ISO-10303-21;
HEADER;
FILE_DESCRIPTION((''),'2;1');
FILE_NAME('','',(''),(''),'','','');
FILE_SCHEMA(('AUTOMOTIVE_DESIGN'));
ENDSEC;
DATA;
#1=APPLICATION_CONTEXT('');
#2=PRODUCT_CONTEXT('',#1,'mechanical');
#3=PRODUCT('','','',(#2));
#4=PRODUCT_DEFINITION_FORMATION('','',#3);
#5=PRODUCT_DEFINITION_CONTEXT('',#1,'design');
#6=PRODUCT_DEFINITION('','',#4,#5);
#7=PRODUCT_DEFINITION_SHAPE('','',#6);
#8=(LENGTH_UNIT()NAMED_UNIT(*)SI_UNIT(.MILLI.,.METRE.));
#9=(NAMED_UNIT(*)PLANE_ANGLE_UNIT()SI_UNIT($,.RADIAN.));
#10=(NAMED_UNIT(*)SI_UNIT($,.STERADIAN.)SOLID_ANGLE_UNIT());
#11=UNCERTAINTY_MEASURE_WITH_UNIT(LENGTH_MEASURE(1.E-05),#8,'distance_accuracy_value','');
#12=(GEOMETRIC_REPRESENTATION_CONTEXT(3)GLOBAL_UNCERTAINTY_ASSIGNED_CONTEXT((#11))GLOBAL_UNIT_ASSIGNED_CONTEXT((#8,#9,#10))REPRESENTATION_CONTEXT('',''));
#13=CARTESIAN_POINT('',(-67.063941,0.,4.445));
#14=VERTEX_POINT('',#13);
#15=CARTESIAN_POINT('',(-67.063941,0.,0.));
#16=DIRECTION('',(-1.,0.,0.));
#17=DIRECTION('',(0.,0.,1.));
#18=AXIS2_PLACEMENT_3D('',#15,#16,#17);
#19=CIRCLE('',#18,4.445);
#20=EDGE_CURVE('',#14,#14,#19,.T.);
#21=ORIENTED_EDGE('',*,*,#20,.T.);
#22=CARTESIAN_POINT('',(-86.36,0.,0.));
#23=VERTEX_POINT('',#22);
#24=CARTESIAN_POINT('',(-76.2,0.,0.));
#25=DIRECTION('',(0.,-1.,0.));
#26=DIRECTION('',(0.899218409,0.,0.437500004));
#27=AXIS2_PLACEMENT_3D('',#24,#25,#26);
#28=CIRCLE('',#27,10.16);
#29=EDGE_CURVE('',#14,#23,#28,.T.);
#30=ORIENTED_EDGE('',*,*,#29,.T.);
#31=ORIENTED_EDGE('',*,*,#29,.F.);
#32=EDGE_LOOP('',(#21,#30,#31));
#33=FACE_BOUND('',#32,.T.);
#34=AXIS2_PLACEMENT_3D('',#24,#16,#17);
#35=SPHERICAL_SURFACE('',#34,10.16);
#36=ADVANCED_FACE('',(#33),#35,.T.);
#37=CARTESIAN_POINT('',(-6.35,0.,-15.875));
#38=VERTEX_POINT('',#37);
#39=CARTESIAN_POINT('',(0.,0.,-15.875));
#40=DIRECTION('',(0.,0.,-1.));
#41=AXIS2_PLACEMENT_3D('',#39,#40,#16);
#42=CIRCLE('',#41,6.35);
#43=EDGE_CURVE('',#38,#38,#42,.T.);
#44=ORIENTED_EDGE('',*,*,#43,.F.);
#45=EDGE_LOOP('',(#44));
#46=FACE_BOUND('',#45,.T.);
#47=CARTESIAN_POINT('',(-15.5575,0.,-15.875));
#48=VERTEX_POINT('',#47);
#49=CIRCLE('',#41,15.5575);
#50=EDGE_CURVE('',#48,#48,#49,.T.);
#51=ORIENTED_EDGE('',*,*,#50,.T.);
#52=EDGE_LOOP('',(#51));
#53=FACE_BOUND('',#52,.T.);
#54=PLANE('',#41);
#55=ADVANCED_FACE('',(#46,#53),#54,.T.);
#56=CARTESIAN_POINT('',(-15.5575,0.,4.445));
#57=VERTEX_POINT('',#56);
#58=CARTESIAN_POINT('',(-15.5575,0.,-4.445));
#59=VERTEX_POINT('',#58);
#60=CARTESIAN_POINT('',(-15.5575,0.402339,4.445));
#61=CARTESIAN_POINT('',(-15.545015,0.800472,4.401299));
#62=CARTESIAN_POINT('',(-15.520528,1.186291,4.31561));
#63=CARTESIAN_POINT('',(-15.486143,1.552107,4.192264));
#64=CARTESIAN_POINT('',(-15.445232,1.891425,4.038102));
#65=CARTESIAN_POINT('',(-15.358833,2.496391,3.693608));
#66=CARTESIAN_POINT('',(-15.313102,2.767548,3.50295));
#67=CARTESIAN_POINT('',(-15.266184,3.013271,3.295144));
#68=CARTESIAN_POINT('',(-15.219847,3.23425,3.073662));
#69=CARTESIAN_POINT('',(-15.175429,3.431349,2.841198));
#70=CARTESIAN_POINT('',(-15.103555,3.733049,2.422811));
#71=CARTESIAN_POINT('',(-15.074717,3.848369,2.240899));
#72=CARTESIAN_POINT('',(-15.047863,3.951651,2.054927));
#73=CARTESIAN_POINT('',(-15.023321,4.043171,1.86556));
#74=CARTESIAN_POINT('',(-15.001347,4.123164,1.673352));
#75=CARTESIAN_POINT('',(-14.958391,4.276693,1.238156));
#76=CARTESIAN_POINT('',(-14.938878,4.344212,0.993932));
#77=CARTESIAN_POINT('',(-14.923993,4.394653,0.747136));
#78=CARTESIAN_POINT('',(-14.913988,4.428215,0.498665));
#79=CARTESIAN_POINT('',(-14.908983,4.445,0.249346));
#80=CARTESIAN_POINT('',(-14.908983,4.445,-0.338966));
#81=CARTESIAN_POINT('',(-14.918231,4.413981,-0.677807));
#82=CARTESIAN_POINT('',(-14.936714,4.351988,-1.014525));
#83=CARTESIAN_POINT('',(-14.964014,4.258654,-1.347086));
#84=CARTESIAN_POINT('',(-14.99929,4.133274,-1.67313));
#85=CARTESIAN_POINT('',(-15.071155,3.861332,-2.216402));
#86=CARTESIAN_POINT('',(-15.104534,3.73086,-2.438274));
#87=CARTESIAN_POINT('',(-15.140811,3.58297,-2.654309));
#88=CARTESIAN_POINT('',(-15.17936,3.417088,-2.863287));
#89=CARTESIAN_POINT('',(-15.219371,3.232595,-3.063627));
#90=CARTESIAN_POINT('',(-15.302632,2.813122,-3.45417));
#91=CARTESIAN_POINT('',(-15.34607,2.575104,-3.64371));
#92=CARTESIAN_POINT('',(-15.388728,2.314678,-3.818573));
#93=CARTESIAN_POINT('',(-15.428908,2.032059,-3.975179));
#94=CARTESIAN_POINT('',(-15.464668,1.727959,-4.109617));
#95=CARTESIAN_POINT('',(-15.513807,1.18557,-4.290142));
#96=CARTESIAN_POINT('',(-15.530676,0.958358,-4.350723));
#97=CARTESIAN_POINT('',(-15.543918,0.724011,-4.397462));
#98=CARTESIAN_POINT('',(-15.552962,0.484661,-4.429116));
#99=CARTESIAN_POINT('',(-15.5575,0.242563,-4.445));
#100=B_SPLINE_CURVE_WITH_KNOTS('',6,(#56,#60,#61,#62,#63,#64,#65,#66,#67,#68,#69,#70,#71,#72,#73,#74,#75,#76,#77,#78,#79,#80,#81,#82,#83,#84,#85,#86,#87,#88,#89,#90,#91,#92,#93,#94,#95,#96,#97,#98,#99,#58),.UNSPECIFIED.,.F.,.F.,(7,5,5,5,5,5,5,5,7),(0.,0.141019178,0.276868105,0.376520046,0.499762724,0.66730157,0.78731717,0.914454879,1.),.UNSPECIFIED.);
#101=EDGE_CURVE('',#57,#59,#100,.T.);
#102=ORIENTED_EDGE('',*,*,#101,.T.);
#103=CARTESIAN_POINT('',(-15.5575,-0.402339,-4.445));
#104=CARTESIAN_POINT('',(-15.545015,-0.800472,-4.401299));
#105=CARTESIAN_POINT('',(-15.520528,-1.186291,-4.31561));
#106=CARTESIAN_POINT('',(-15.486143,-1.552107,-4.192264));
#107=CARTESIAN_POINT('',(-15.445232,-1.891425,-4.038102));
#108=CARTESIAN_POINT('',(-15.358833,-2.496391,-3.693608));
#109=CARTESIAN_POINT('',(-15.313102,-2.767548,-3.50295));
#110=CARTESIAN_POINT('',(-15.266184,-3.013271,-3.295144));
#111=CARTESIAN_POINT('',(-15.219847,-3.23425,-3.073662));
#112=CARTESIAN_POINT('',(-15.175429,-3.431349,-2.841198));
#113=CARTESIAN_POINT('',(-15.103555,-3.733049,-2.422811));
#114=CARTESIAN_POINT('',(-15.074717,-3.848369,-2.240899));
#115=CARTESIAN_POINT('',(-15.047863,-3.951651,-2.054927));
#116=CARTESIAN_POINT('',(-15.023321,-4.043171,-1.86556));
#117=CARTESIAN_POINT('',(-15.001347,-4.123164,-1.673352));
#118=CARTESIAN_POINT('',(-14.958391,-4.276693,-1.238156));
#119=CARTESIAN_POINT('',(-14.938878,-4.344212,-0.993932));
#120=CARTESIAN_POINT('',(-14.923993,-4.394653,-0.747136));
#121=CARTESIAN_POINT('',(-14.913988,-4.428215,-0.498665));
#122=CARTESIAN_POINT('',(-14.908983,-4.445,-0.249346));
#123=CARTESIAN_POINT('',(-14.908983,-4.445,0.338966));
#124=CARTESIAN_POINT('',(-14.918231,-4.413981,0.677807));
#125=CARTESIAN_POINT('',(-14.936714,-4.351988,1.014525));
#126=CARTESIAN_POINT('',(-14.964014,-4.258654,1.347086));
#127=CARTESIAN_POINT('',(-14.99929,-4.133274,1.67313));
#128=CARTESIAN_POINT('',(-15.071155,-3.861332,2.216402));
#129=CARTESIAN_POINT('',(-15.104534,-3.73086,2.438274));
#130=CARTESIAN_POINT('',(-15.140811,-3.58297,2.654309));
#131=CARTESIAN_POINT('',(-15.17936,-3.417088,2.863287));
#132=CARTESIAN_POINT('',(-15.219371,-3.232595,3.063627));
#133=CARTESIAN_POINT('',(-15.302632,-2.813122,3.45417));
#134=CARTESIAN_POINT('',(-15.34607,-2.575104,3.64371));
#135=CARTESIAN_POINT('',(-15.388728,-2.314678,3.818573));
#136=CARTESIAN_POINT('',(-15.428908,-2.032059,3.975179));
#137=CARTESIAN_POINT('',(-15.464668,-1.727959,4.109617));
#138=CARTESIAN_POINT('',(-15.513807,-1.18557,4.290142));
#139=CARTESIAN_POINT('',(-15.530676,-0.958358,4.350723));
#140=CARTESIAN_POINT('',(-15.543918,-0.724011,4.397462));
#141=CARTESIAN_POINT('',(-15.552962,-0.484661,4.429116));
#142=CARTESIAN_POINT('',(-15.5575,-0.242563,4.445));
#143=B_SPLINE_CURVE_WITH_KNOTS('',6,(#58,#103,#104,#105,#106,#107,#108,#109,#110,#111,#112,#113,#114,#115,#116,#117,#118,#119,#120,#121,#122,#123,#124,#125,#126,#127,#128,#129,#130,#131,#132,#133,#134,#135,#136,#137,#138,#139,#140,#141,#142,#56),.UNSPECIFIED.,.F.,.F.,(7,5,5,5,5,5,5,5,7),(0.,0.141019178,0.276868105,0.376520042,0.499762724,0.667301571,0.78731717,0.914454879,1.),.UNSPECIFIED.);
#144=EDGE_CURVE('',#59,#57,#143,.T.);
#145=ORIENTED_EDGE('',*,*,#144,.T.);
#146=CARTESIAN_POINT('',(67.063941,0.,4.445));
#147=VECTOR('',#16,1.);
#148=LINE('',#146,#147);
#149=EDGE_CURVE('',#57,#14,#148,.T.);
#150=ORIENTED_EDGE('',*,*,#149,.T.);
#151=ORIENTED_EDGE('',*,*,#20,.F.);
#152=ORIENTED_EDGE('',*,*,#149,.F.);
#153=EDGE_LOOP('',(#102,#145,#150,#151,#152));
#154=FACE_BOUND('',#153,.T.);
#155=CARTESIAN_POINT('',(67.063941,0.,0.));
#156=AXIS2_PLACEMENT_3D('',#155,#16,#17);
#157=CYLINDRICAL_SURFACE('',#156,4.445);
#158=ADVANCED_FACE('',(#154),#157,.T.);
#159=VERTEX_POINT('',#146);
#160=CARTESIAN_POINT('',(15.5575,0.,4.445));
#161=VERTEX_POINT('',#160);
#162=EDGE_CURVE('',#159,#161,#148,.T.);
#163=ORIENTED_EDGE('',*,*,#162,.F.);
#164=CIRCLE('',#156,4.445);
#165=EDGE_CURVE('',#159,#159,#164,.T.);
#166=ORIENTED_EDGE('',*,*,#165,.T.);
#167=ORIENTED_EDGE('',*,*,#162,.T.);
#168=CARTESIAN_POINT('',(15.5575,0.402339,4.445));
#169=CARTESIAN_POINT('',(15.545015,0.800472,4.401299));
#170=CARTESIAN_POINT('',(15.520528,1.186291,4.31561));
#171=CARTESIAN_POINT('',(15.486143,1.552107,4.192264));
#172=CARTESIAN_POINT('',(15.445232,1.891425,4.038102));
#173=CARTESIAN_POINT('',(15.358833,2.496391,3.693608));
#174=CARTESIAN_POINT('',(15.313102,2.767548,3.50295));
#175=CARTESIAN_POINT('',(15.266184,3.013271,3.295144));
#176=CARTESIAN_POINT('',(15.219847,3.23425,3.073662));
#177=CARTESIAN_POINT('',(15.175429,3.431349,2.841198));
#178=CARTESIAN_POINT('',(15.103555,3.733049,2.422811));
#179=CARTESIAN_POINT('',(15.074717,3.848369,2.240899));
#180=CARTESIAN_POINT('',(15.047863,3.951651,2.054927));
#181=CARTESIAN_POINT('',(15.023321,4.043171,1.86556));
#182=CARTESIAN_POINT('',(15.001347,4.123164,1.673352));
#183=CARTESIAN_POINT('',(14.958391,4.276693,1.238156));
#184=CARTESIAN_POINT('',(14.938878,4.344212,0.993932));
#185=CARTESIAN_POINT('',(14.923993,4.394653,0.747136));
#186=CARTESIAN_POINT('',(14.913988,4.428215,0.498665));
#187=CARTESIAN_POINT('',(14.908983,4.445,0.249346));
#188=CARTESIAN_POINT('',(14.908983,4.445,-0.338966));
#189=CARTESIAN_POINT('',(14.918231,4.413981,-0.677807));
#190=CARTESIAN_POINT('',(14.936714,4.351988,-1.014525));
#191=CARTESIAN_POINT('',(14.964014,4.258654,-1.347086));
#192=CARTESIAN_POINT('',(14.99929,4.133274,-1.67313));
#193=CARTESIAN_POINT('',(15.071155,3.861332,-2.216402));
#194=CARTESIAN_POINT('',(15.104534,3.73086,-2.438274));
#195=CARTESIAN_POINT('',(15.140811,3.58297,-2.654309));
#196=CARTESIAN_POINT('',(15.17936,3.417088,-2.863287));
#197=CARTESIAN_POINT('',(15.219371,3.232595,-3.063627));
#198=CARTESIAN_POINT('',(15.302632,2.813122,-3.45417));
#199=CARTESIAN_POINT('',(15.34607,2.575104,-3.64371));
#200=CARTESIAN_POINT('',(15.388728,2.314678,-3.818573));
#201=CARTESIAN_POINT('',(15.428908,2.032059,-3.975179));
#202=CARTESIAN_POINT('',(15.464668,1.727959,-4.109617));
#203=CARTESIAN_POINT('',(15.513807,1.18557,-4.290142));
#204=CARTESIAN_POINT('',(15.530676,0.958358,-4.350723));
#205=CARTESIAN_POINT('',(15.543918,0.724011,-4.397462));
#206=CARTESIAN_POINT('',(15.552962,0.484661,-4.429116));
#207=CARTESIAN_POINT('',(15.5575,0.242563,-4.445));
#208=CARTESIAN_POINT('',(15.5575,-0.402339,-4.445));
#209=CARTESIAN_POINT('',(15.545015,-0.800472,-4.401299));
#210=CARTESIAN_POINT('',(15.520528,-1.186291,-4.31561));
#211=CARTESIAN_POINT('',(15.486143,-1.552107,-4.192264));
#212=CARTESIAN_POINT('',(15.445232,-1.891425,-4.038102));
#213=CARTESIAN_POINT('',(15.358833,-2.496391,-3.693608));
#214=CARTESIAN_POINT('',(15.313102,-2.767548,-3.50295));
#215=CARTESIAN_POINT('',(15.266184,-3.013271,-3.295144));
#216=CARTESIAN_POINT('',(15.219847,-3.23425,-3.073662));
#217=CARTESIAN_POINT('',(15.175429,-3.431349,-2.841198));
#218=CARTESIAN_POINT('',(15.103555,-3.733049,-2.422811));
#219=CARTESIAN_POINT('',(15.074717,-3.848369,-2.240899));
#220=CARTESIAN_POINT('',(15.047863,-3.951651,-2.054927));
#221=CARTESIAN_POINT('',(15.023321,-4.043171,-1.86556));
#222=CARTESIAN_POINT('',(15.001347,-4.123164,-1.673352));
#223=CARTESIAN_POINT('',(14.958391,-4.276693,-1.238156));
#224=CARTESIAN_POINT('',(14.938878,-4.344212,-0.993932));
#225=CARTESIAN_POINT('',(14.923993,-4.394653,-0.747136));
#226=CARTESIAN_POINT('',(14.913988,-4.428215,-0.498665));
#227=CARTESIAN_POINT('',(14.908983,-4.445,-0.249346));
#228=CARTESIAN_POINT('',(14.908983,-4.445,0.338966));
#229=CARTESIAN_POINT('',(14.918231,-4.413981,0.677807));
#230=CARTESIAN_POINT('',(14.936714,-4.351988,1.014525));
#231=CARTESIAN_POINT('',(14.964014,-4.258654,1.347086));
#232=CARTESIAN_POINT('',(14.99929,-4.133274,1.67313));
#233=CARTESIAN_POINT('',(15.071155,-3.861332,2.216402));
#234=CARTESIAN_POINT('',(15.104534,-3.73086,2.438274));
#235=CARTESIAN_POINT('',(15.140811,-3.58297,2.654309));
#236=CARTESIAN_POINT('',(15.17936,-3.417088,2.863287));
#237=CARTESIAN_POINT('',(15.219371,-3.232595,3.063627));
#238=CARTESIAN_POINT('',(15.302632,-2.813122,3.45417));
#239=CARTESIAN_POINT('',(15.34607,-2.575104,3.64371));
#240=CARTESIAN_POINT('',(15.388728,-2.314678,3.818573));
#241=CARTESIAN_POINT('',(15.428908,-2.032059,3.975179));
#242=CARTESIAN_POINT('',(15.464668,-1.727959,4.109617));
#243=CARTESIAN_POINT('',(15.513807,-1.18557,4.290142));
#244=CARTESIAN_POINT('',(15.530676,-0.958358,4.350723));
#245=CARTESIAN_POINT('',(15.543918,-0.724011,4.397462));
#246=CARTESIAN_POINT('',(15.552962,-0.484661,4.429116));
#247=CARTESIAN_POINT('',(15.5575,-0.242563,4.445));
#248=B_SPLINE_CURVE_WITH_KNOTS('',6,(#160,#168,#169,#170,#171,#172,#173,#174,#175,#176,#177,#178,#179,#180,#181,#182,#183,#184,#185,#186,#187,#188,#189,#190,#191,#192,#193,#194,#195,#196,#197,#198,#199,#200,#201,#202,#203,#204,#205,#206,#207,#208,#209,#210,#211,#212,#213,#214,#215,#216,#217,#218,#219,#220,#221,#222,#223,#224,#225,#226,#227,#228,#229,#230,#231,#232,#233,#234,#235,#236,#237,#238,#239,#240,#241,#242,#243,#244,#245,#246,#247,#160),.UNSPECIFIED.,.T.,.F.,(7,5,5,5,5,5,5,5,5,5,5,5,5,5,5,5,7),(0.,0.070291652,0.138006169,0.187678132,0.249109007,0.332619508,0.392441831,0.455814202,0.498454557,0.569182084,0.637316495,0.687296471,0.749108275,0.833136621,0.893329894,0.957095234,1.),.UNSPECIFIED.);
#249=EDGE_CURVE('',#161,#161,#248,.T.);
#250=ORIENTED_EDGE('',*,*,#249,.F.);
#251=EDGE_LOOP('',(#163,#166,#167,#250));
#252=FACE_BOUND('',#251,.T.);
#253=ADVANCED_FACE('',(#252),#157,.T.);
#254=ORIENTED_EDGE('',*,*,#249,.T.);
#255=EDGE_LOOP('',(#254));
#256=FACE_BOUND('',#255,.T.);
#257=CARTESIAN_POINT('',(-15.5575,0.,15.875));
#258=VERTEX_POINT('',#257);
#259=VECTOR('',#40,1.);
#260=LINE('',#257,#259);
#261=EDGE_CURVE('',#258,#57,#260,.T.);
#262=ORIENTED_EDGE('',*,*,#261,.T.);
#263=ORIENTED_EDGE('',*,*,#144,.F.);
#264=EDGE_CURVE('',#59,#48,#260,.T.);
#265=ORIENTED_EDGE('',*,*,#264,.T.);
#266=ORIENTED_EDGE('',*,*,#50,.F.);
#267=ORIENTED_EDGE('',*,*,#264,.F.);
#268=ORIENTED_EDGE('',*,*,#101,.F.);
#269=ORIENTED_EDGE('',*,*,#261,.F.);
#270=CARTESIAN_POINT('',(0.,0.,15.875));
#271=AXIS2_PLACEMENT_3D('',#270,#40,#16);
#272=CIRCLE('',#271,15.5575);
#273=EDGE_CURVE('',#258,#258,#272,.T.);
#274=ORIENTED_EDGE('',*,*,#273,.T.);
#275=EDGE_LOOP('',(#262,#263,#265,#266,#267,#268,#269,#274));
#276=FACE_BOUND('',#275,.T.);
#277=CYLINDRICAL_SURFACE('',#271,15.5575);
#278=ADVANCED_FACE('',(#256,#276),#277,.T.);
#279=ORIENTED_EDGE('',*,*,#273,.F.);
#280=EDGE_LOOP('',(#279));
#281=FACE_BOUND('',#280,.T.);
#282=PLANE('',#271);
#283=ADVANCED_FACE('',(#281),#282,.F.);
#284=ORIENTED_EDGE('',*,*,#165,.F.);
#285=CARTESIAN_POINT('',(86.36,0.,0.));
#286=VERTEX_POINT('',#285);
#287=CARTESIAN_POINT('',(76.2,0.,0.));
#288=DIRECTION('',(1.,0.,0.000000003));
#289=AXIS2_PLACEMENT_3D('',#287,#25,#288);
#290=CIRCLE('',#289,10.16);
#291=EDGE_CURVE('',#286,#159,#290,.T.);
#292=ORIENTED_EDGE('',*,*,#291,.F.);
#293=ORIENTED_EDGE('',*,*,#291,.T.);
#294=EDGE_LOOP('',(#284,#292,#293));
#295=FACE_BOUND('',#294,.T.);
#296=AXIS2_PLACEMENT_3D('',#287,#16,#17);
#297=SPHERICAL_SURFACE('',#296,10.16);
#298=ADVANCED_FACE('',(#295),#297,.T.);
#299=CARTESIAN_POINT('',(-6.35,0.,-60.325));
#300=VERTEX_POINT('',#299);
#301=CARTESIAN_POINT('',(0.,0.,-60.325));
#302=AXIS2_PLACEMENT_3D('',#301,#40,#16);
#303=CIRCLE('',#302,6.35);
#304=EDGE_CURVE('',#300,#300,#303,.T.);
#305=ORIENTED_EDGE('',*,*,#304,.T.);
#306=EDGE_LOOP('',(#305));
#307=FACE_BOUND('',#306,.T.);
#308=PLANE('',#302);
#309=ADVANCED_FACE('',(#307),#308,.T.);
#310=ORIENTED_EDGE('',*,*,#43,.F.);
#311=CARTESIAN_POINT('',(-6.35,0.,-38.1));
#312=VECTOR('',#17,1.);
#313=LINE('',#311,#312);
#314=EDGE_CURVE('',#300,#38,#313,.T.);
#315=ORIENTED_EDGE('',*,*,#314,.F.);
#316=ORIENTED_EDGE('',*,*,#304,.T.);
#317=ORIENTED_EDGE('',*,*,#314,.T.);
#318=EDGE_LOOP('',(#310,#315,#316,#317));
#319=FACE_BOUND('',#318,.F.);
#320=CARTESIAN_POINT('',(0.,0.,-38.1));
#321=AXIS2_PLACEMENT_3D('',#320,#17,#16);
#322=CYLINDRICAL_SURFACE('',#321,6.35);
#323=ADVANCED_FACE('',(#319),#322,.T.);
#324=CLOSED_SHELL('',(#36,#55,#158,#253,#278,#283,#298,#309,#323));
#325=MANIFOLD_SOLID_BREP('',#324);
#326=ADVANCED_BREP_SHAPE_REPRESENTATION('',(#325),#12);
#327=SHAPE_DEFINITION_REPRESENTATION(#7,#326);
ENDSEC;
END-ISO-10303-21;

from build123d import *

# Parameters (mm, degrees)
F2_W = 6.35
F2_H = 44.45


with BuildPart() as f1:
    # F0 (on Front) → F1 (revolve)
    with BuildSketch(Plane.XZ):
        with BuildLine():
            ThreePointArc((-67.063941, 4.445), (-66.299294, 2.280706), (-66.04, 0))
            Line((-66.04, 0), (66.04, 0))
            ThreePointArc((66.04, 0), (66.299294, 2.280706), (67.063941, 4.445))
            Line((67.063941, 4.445), (-67.063941, 4.445))
        make_face()
        with BuildLine():
            Line((-86.36, 0), (-66.04, 0))
            ThreePointArc((-66.04, 0), (-66.299294, 2.280706), (-67.063941, 4.445))
            ThreePointArc((-67.063941, 4.445), (-78.480706, 9.900706), (-86.36, 0))
        make_face()
        with BuildLine():
            ThreePointArc((67.063941, 4.445), (66.299294, 2.280706), (66.04, 0))
            Line((66.04, 0), (86.36, 0))
            ThreePointArc((86.36, 0), (78.480706, 9.900706), (67.063941, 4.445))
        make_face()
    revolve(axis=Axis((0, 0, 0), (-1, 0, 0)))

    # F2 (on Front) → F3 (revolve)
    with BuildSketch(Plane.XZ):
        Polygon((0, -15.875), (0, 15.875), (-15.5575, 15.875), (-15.5575, -15.875), (-6.35, -15.875), align=None)
        with Locations((-3.175, -38.1)):
            Rectangle(F2_W, F2_H)
    revolve(axis=Axis((0, 0, -38.1), (0, 0, -1)))


solid = f1.part
